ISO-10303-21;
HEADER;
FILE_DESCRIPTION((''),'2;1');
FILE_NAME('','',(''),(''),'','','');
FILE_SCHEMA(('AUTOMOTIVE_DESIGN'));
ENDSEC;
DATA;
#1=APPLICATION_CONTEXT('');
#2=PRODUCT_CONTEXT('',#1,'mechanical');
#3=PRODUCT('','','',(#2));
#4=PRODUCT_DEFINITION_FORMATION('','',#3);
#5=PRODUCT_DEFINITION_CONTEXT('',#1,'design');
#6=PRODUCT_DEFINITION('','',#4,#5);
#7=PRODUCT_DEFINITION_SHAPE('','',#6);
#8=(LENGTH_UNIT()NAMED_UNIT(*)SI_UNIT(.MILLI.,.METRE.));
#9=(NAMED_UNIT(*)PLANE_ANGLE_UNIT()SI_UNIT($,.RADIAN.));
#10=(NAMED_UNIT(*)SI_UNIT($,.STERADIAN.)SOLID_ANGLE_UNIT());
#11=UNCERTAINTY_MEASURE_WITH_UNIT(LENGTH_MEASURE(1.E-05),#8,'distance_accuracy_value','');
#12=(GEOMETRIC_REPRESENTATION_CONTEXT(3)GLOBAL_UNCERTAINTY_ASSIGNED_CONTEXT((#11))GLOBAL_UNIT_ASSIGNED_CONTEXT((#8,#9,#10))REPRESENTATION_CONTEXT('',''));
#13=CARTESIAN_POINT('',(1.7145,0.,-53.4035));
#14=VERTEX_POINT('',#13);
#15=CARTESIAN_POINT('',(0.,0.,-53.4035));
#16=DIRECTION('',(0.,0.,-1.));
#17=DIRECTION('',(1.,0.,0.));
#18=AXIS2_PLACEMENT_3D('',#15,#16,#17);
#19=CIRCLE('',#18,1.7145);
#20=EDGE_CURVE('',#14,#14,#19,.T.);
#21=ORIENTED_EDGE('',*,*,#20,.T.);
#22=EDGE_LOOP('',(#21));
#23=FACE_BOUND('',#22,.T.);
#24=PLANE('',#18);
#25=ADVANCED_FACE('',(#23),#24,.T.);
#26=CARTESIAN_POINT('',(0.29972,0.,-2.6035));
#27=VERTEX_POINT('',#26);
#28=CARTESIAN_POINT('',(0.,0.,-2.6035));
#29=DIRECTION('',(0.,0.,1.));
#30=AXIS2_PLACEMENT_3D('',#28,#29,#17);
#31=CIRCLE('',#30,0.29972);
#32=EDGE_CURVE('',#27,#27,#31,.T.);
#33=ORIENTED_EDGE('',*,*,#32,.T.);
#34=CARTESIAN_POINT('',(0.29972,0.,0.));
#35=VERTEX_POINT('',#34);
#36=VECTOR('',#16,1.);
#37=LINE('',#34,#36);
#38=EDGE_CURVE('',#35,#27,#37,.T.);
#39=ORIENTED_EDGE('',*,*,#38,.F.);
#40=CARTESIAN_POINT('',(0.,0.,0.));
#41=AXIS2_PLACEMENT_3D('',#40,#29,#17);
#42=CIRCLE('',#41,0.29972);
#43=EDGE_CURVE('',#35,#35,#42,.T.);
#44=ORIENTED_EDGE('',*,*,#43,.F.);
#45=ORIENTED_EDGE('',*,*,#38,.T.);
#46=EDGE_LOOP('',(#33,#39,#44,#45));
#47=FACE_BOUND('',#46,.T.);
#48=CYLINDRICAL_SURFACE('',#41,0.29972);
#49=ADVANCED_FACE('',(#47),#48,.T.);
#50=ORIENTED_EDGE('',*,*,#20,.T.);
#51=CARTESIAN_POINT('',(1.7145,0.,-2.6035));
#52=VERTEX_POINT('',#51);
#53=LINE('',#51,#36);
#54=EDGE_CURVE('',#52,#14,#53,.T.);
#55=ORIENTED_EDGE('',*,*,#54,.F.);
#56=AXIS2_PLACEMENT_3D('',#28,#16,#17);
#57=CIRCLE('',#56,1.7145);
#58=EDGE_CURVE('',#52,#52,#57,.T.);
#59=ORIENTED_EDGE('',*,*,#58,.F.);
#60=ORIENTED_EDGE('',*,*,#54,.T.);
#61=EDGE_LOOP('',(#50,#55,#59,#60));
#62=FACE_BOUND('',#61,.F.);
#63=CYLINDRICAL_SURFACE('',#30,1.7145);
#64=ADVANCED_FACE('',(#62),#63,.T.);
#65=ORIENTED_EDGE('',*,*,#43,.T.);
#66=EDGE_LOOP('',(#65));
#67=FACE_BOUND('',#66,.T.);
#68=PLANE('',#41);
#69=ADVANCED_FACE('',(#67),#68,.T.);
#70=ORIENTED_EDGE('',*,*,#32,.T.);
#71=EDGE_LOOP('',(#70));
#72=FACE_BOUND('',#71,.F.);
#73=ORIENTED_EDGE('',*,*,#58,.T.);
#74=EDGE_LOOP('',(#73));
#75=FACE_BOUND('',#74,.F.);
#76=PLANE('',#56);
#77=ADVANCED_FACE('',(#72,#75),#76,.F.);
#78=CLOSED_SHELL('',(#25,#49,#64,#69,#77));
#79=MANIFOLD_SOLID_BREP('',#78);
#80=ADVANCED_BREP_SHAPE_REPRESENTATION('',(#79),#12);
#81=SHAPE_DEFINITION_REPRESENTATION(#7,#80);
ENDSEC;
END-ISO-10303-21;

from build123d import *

# Parameters (mm, degrees)
F0_R     = 0.29972
F1_DEPTH = 2.6035
F2_R     = 1.7145
F3_DEPTH = 50.8


with BuildPart() as f1:
    # F0 (on Top) → F1 (new body)
    with BuildSketch(Plane.XY):
        Circle(F0_R)
    extrude(amount=-F1_DEPTH)

    # F2 (on face) → F3 (join)
    with BuildSketch(Plane(origin=(0, 0, -2.6035), x_dir=(1, 0, 0), z_dir=(0, 0, -1))):
        Circle(F2_R)
    extrude(amount=F3_DEPTH)


solid = f1.part
